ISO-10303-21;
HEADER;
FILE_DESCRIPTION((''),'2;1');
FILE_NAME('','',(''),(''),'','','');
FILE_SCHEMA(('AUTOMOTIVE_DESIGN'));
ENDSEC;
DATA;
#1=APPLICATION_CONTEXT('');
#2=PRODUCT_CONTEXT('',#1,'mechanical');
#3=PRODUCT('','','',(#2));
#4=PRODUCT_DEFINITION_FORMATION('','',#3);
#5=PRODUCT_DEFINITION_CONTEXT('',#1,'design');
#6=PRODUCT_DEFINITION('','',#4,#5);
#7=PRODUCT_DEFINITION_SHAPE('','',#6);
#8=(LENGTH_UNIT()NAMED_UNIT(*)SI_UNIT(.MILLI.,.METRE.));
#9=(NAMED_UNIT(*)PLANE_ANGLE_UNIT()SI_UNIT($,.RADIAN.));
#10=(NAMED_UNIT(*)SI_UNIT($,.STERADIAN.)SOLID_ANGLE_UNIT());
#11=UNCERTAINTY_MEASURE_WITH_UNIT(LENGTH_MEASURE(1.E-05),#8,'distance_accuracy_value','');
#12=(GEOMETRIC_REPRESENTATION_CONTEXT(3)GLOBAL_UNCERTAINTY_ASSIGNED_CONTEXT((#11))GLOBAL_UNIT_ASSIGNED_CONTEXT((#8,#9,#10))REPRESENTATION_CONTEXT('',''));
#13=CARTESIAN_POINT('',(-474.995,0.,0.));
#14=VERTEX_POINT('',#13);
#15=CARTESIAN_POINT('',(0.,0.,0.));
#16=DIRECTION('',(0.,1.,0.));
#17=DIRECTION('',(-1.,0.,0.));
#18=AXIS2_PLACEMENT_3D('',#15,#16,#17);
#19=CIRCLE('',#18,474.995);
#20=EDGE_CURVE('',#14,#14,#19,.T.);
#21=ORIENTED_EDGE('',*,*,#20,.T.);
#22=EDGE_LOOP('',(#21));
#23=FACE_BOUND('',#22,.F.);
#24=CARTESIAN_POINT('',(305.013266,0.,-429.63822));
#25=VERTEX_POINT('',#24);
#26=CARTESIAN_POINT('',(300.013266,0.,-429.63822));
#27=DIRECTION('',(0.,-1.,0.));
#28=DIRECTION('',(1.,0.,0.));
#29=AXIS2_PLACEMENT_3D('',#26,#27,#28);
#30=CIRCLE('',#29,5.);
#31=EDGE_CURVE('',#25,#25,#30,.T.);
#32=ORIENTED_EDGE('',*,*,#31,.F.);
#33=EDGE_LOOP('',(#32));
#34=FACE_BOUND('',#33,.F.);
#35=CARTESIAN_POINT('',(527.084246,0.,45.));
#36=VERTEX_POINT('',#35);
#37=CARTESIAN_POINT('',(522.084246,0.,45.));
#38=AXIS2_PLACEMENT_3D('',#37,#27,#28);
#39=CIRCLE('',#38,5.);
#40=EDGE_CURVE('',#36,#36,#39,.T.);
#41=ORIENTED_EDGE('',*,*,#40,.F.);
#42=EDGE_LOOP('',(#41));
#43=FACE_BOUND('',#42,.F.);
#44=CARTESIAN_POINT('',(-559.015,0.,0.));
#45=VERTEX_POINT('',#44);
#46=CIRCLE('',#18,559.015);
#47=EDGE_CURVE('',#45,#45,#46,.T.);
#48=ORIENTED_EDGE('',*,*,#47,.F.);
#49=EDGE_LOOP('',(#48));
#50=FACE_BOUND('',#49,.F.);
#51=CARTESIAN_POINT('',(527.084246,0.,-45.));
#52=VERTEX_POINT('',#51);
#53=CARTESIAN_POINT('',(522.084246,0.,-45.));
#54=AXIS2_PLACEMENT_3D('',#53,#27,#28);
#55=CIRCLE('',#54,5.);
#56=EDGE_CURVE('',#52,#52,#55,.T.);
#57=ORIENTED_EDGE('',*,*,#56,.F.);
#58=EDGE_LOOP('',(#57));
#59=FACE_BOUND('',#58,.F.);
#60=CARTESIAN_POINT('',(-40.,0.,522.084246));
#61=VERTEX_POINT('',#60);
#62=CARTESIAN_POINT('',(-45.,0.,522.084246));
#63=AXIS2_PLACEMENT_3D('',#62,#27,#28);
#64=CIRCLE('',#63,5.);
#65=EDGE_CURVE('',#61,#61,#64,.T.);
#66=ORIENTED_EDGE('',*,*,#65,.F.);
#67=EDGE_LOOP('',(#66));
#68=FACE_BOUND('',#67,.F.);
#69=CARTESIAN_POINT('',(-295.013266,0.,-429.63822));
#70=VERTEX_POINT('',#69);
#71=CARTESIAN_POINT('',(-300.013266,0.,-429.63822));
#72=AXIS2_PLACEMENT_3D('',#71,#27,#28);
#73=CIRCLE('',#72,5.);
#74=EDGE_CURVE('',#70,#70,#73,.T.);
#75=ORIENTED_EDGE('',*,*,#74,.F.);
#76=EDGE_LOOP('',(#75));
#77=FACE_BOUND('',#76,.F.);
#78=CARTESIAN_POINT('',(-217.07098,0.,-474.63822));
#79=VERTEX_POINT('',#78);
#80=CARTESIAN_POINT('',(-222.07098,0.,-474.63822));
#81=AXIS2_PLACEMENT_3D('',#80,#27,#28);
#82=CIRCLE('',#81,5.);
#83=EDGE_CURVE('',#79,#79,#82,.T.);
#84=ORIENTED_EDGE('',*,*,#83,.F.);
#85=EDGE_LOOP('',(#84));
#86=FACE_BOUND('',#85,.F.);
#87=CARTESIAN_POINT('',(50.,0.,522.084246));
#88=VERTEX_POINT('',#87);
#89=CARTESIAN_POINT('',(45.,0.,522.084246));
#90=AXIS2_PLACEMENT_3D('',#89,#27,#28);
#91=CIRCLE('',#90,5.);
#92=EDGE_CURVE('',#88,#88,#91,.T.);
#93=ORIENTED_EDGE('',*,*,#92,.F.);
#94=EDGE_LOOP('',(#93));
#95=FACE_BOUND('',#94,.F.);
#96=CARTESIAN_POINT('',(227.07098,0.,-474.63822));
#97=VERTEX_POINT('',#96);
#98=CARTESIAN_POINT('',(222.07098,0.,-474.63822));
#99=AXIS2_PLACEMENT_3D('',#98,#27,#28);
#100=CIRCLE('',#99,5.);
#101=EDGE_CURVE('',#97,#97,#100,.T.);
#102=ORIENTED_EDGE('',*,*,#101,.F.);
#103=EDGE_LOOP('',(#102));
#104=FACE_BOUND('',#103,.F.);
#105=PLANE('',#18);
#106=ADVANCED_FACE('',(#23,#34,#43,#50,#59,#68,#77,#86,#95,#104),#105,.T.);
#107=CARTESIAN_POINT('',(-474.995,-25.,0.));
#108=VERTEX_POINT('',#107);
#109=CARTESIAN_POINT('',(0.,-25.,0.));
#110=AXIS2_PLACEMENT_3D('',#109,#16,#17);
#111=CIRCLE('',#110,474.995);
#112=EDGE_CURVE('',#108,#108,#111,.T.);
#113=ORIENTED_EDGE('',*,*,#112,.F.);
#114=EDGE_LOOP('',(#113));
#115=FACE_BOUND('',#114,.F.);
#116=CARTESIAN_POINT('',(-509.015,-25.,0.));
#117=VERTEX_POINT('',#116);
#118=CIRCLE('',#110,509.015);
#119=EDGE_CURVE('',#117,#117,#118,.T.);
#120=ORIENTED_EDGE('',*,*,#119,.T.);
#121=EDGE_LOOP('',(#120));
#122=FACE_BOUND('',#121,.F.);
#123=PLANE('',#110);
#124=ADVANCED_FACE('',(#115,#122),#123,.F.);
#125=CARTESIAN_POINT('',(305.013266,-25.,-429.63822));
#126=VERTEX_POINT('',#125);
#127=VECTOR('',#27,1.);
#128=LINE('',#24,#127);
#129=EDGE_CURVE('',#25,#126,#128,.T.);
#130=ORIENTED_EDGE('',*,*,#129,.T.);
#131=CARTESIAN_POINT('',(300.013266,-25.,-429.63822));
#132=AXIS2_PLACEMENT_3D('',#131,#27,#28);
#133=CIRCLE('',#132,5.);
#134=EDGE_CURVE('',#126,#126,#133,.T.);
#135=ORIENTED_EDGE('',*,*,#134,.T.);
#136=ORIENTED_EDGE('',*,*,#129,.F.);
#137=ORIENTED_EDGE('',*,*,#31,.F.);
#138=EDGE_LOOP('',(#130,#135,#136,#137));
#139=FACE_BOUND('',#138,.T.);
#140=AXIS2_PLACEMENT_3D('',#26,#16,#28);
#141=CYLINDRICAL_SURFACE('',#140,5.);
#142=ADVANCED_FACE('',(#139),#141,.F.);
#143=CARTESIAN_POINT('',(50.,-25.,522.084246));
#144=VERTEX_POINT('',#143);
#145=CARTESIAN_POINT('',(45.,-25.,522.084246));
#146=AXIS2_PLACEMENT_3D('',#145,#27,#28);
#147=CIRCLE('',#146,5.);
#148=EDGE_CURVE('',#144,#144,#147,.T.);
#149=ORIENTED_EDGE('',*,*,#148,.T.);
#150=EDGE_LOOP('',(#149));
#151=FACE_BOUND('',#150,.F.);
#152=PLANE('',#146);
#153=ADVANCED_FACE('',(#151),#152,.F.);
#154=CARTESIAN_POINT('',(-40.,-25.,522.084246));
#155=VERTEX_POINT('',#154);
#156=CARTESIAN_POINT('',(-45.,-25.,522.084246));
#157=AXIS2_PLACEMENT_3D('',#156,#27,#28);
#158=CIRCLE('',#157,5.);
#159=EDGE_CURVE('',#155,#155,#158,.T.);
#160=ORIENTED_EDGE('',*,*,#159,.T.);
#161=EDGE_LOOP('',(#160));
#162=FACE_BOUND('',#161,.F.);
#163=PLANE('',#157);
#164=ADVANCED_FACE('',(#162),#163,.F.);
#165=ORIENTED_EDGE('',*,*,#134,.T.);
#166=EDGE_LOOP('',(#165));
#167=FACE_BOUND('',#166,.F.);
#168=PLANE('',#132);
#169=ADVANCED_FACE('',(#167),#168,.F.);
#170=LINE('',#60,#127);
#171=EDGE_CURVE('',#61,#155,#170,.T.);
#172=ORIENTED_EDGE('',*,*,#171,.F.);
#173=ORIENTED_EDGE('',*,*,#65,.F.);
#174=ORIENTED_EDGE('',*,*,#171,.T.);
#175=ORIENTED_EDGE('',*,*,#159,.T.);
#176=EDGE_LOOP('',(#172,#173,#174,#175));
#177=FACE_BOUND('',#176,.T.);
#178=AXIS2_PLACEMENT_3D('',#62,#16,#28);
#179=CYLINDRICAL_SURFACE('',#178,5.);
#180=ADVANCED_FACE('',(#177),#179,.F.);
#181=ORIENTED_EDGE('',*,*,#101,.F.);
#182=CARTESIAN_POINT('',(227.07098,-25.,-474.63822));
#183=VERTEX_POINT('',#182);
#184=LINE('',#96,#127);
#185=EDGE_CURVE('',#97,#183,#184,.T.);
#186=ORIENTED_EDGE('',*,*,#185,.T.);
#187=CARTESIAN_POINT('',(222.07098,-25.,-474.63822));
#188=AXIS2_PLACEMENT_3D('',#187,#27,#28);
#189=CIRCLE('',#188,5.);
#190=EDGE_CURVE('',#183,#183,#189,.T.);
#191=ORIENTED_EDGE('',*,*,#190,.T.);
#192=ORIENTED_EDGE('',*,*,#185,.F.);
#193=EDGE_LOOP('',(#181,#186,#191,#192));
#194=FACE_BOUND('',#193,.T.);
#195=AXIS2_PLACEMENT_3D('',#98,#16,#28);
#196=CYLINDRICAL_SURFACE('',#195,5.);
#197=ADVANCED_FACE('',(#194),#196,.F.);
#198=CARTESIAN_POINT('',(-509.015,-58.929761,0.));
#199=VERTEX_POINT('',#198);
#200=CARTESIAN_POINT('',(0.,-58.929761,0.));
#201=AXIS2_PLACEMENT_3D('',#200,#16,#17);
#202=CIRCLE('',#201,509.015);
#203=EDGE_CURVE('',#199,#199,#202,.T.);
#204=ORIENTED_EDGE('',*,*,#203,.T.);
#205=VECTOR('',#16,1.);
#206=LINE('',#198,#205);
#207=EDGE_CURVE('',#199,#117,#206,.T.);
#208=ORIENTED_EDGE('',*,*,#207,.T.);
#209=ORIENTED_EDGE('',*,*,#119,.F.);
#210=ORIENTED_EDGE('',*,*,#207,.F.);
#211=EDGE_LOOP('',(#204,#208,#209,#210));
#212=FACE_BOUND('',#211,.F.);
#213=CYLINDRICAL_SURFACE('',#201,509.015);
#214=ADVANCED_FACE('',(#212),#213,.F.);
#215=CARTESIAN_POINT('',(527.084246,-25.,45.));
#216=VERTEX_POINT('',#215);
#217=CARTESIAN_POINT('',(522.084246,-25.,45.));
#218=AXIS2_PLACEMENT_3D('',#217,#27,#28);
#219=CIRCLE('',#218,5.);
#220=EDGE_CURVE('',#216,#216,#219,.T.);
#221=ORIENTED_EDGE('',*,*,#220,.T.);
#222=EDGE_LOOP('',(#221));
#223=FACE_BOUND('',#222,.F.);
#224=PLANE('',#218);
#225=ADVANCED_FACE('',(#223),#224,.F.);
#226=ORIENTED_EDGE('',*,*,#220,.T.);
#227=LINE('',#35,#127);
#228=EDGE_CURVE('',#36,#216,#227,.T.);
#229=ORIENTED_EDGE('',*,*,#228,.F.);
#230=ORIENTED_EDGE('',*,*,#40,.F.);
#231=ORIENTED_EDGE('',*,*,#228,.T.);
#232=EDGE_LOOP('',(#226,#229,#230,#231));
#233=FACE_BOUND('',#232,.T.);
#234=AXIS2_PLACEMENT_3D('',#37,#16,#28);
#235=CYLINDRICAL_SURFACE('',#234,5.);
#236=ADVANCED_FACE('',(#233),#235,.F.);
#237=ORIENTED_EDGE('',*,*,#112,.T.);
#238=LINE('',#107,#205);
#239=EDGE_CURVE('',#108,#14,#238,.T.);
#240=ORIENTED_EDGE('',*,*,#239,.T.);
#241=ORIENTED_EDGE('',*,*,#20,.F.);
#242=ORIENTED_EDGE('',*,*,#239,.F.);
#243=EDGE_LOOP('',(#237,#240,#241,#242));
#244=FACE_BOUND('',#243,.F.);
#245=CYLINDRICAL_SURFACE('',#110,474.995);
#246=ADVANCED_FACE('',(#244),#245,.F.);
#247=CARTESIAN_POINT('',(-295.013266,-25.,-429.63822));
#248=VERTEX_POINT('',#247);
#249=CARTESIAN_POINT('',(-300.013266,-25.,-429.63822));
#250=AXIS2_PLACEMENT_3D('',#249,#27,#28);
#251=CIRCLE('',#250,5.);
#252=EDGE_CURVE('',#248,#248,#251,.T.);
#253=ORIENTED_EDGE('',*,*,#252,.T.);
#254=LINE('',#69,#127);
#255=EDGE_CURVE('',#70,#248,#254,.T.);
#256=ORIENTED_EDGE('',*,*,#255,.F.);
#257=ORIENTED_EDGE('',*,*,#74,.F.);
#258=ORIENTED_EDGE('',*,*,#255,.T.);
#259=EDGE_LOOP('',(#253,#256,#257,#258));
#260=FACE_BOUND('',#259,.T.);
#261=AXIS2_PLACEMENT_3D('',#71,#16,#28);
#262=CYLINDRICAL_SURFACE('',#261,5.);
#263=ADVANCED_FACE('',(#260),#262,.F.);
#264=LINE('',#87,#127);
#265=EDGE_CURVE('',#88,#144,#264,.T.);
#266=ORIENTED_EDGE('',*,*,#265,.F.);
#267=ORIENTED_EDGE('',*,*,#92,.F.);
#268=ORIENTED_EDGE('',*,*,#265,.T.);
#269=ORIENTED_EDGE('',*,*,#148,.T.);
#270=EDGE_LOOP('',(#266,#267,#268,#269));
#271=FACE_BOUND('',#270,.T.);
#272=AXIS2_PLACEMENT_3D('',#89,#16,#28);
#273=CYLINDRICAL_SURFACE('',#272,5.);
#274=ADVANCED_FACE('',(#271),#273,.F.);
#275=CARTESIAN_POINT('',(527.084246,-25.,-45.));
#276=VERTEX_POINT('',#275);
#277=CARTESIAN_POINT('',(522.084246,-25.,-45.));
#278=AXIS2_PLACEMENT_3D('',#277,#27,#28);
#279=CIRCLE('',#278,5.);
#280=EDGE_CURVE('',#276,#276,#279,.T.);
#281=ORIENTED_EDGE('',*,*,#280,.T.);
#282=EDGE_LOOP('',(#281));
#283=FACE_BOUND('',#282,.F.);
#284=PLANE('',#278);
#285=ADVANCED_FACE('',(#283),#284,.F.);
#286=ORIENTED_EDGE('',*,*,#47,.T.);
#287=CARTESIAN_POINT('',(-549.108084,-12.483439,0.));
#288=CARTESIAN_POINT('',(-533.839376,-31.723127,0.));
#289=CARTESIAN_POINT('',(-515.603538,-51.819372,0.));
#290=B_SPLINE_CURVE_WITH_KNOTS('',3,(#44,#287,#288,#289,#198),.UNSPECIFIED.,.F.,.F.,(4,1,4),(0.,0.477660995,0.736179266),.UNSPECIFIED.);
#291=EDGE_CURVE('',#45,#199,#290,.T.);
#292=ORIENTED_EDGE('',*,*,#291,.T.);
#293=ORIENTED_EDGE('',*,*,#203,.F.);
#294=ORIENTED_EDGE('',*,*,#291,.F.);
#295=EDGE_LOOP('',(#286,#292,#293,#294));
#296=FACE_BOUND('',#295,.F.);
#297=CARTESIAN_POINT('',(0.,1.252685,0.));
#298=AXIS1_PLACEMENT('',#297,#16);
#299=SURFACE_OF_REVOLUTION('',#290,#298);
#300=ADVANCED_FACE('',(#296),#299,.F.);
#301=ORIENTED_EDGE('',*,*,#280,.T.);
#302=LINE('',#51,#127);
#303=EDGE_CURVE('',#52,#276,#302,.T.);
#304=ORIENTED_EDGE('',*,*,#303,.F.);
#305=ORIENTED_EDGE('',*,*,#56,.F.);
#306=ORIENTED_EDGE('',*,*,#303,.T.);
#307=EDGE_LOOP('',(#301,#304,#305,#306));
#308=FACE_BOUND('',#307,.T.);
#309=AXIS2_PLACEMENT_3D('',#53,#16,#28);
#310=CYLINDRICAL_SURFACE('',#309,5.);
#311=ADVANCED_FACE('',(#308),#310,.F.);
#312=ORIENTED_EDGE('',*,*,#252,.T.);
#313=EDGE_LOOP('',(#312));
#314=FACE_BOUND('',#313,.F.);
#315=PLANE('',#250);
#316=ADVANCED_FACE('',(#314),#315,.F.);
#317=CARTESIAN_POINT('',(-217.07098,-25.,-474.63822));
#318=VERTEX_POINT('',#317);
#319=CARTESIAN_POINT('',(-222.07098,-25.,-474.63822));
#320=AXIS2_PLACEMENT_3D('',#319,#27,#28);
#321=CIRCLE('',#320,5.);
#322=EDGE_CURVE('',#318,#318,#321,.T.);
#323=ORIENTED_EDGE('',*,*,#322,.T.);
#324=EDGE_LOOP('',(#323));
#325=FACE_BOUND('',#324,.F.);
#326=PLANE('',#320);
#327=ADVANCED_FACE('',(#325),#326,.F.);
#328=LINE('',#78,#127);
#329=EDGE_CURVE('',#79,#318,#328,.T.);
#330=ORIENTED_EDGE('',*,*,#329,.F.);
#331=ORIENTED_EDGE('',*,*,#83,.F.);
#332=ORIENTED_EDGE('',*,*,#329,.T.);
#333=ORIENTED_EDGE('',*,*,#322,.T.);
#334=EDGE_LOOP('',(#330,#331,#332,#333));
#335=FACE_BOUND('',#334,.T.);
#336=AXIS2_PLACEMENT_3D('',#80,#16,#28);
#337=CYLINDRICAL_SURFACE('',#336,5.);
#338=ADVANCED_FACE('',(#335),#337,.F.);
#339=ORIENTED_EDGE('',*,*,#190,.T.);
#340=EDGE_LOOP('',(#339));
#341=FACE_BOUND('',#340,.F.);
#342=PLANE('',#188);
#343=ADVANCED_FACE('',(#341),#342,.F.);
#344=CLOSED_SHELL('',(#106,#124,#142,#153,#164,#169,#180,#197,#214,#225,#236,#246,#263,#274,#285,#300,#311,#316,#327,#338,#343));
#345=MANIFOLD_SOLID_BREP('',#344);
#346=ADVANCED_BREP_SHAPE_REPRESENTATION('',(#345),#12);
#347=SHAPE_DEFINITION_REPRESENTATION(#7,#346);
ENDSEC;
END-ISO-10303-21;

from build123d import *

# Parameters (mm, degrees)
F3_R     = 5
F4_DEPTH = 25


with BuildPart() as f2:
    # F1 (on Top) → F2 (revolve)
    with BuildSketch(Plane.XY):
        with BuildLine():
            Line((-474.995, -25), (-474.995, 0))
            Line((-474.995, 0), (-559.015, 0))
            add(Edge.make_bspline(
                [(-559.015, 0), (-549.1080838565, -12.4834386074), (-533.8393758576, -31.7231269379), (-515.6035381253, -51.8193715079), (-509.015, -58.9297605057)],
                knots=[0, 0, 0, 0, 0.4776609949, 0.7361792659, 0.7361792659, 0.7361792659, 0.7361792659], degree=3))
            Line((-509.015, -58.9297605057), (-509.015, -25))
            Line((-509.015, -25), (-474.995, -25))
        make_face()
    revolve(axis=Axis((0, 1.252685129, 0), (0, 1, 0)))

    # F3 (on Front) → F4 (cut)
    with BuildSketch(Plane.XZ):
        with Locations((-300.0132663995, -429.6382203486)):
            Circle(F3_R)
        with Locations((-222.0709800589, -474.6382203486)):
            Circle(F3_R)
        with Locations((222.0709800589, -474.6382203486)):
            Circle(F3_R)
        with Locations((300.0132663995, -429.6382203486)):
            Circle(F3_R)
        with Locations((522.0842464584, 45)):
            Circle(F3_R)
        with Locations((522.0842464584, -45)):
            Circle(F3_R)
        with Locations((45, 522.0842464584)):
            Circle(F3_R)
        with Locations((-45, 522.0842464584)):
            Circle(F3_R)
    extrude(amount=F4_DEPTH, mode=Mode.SUBTRACT)


solid = f2.part
